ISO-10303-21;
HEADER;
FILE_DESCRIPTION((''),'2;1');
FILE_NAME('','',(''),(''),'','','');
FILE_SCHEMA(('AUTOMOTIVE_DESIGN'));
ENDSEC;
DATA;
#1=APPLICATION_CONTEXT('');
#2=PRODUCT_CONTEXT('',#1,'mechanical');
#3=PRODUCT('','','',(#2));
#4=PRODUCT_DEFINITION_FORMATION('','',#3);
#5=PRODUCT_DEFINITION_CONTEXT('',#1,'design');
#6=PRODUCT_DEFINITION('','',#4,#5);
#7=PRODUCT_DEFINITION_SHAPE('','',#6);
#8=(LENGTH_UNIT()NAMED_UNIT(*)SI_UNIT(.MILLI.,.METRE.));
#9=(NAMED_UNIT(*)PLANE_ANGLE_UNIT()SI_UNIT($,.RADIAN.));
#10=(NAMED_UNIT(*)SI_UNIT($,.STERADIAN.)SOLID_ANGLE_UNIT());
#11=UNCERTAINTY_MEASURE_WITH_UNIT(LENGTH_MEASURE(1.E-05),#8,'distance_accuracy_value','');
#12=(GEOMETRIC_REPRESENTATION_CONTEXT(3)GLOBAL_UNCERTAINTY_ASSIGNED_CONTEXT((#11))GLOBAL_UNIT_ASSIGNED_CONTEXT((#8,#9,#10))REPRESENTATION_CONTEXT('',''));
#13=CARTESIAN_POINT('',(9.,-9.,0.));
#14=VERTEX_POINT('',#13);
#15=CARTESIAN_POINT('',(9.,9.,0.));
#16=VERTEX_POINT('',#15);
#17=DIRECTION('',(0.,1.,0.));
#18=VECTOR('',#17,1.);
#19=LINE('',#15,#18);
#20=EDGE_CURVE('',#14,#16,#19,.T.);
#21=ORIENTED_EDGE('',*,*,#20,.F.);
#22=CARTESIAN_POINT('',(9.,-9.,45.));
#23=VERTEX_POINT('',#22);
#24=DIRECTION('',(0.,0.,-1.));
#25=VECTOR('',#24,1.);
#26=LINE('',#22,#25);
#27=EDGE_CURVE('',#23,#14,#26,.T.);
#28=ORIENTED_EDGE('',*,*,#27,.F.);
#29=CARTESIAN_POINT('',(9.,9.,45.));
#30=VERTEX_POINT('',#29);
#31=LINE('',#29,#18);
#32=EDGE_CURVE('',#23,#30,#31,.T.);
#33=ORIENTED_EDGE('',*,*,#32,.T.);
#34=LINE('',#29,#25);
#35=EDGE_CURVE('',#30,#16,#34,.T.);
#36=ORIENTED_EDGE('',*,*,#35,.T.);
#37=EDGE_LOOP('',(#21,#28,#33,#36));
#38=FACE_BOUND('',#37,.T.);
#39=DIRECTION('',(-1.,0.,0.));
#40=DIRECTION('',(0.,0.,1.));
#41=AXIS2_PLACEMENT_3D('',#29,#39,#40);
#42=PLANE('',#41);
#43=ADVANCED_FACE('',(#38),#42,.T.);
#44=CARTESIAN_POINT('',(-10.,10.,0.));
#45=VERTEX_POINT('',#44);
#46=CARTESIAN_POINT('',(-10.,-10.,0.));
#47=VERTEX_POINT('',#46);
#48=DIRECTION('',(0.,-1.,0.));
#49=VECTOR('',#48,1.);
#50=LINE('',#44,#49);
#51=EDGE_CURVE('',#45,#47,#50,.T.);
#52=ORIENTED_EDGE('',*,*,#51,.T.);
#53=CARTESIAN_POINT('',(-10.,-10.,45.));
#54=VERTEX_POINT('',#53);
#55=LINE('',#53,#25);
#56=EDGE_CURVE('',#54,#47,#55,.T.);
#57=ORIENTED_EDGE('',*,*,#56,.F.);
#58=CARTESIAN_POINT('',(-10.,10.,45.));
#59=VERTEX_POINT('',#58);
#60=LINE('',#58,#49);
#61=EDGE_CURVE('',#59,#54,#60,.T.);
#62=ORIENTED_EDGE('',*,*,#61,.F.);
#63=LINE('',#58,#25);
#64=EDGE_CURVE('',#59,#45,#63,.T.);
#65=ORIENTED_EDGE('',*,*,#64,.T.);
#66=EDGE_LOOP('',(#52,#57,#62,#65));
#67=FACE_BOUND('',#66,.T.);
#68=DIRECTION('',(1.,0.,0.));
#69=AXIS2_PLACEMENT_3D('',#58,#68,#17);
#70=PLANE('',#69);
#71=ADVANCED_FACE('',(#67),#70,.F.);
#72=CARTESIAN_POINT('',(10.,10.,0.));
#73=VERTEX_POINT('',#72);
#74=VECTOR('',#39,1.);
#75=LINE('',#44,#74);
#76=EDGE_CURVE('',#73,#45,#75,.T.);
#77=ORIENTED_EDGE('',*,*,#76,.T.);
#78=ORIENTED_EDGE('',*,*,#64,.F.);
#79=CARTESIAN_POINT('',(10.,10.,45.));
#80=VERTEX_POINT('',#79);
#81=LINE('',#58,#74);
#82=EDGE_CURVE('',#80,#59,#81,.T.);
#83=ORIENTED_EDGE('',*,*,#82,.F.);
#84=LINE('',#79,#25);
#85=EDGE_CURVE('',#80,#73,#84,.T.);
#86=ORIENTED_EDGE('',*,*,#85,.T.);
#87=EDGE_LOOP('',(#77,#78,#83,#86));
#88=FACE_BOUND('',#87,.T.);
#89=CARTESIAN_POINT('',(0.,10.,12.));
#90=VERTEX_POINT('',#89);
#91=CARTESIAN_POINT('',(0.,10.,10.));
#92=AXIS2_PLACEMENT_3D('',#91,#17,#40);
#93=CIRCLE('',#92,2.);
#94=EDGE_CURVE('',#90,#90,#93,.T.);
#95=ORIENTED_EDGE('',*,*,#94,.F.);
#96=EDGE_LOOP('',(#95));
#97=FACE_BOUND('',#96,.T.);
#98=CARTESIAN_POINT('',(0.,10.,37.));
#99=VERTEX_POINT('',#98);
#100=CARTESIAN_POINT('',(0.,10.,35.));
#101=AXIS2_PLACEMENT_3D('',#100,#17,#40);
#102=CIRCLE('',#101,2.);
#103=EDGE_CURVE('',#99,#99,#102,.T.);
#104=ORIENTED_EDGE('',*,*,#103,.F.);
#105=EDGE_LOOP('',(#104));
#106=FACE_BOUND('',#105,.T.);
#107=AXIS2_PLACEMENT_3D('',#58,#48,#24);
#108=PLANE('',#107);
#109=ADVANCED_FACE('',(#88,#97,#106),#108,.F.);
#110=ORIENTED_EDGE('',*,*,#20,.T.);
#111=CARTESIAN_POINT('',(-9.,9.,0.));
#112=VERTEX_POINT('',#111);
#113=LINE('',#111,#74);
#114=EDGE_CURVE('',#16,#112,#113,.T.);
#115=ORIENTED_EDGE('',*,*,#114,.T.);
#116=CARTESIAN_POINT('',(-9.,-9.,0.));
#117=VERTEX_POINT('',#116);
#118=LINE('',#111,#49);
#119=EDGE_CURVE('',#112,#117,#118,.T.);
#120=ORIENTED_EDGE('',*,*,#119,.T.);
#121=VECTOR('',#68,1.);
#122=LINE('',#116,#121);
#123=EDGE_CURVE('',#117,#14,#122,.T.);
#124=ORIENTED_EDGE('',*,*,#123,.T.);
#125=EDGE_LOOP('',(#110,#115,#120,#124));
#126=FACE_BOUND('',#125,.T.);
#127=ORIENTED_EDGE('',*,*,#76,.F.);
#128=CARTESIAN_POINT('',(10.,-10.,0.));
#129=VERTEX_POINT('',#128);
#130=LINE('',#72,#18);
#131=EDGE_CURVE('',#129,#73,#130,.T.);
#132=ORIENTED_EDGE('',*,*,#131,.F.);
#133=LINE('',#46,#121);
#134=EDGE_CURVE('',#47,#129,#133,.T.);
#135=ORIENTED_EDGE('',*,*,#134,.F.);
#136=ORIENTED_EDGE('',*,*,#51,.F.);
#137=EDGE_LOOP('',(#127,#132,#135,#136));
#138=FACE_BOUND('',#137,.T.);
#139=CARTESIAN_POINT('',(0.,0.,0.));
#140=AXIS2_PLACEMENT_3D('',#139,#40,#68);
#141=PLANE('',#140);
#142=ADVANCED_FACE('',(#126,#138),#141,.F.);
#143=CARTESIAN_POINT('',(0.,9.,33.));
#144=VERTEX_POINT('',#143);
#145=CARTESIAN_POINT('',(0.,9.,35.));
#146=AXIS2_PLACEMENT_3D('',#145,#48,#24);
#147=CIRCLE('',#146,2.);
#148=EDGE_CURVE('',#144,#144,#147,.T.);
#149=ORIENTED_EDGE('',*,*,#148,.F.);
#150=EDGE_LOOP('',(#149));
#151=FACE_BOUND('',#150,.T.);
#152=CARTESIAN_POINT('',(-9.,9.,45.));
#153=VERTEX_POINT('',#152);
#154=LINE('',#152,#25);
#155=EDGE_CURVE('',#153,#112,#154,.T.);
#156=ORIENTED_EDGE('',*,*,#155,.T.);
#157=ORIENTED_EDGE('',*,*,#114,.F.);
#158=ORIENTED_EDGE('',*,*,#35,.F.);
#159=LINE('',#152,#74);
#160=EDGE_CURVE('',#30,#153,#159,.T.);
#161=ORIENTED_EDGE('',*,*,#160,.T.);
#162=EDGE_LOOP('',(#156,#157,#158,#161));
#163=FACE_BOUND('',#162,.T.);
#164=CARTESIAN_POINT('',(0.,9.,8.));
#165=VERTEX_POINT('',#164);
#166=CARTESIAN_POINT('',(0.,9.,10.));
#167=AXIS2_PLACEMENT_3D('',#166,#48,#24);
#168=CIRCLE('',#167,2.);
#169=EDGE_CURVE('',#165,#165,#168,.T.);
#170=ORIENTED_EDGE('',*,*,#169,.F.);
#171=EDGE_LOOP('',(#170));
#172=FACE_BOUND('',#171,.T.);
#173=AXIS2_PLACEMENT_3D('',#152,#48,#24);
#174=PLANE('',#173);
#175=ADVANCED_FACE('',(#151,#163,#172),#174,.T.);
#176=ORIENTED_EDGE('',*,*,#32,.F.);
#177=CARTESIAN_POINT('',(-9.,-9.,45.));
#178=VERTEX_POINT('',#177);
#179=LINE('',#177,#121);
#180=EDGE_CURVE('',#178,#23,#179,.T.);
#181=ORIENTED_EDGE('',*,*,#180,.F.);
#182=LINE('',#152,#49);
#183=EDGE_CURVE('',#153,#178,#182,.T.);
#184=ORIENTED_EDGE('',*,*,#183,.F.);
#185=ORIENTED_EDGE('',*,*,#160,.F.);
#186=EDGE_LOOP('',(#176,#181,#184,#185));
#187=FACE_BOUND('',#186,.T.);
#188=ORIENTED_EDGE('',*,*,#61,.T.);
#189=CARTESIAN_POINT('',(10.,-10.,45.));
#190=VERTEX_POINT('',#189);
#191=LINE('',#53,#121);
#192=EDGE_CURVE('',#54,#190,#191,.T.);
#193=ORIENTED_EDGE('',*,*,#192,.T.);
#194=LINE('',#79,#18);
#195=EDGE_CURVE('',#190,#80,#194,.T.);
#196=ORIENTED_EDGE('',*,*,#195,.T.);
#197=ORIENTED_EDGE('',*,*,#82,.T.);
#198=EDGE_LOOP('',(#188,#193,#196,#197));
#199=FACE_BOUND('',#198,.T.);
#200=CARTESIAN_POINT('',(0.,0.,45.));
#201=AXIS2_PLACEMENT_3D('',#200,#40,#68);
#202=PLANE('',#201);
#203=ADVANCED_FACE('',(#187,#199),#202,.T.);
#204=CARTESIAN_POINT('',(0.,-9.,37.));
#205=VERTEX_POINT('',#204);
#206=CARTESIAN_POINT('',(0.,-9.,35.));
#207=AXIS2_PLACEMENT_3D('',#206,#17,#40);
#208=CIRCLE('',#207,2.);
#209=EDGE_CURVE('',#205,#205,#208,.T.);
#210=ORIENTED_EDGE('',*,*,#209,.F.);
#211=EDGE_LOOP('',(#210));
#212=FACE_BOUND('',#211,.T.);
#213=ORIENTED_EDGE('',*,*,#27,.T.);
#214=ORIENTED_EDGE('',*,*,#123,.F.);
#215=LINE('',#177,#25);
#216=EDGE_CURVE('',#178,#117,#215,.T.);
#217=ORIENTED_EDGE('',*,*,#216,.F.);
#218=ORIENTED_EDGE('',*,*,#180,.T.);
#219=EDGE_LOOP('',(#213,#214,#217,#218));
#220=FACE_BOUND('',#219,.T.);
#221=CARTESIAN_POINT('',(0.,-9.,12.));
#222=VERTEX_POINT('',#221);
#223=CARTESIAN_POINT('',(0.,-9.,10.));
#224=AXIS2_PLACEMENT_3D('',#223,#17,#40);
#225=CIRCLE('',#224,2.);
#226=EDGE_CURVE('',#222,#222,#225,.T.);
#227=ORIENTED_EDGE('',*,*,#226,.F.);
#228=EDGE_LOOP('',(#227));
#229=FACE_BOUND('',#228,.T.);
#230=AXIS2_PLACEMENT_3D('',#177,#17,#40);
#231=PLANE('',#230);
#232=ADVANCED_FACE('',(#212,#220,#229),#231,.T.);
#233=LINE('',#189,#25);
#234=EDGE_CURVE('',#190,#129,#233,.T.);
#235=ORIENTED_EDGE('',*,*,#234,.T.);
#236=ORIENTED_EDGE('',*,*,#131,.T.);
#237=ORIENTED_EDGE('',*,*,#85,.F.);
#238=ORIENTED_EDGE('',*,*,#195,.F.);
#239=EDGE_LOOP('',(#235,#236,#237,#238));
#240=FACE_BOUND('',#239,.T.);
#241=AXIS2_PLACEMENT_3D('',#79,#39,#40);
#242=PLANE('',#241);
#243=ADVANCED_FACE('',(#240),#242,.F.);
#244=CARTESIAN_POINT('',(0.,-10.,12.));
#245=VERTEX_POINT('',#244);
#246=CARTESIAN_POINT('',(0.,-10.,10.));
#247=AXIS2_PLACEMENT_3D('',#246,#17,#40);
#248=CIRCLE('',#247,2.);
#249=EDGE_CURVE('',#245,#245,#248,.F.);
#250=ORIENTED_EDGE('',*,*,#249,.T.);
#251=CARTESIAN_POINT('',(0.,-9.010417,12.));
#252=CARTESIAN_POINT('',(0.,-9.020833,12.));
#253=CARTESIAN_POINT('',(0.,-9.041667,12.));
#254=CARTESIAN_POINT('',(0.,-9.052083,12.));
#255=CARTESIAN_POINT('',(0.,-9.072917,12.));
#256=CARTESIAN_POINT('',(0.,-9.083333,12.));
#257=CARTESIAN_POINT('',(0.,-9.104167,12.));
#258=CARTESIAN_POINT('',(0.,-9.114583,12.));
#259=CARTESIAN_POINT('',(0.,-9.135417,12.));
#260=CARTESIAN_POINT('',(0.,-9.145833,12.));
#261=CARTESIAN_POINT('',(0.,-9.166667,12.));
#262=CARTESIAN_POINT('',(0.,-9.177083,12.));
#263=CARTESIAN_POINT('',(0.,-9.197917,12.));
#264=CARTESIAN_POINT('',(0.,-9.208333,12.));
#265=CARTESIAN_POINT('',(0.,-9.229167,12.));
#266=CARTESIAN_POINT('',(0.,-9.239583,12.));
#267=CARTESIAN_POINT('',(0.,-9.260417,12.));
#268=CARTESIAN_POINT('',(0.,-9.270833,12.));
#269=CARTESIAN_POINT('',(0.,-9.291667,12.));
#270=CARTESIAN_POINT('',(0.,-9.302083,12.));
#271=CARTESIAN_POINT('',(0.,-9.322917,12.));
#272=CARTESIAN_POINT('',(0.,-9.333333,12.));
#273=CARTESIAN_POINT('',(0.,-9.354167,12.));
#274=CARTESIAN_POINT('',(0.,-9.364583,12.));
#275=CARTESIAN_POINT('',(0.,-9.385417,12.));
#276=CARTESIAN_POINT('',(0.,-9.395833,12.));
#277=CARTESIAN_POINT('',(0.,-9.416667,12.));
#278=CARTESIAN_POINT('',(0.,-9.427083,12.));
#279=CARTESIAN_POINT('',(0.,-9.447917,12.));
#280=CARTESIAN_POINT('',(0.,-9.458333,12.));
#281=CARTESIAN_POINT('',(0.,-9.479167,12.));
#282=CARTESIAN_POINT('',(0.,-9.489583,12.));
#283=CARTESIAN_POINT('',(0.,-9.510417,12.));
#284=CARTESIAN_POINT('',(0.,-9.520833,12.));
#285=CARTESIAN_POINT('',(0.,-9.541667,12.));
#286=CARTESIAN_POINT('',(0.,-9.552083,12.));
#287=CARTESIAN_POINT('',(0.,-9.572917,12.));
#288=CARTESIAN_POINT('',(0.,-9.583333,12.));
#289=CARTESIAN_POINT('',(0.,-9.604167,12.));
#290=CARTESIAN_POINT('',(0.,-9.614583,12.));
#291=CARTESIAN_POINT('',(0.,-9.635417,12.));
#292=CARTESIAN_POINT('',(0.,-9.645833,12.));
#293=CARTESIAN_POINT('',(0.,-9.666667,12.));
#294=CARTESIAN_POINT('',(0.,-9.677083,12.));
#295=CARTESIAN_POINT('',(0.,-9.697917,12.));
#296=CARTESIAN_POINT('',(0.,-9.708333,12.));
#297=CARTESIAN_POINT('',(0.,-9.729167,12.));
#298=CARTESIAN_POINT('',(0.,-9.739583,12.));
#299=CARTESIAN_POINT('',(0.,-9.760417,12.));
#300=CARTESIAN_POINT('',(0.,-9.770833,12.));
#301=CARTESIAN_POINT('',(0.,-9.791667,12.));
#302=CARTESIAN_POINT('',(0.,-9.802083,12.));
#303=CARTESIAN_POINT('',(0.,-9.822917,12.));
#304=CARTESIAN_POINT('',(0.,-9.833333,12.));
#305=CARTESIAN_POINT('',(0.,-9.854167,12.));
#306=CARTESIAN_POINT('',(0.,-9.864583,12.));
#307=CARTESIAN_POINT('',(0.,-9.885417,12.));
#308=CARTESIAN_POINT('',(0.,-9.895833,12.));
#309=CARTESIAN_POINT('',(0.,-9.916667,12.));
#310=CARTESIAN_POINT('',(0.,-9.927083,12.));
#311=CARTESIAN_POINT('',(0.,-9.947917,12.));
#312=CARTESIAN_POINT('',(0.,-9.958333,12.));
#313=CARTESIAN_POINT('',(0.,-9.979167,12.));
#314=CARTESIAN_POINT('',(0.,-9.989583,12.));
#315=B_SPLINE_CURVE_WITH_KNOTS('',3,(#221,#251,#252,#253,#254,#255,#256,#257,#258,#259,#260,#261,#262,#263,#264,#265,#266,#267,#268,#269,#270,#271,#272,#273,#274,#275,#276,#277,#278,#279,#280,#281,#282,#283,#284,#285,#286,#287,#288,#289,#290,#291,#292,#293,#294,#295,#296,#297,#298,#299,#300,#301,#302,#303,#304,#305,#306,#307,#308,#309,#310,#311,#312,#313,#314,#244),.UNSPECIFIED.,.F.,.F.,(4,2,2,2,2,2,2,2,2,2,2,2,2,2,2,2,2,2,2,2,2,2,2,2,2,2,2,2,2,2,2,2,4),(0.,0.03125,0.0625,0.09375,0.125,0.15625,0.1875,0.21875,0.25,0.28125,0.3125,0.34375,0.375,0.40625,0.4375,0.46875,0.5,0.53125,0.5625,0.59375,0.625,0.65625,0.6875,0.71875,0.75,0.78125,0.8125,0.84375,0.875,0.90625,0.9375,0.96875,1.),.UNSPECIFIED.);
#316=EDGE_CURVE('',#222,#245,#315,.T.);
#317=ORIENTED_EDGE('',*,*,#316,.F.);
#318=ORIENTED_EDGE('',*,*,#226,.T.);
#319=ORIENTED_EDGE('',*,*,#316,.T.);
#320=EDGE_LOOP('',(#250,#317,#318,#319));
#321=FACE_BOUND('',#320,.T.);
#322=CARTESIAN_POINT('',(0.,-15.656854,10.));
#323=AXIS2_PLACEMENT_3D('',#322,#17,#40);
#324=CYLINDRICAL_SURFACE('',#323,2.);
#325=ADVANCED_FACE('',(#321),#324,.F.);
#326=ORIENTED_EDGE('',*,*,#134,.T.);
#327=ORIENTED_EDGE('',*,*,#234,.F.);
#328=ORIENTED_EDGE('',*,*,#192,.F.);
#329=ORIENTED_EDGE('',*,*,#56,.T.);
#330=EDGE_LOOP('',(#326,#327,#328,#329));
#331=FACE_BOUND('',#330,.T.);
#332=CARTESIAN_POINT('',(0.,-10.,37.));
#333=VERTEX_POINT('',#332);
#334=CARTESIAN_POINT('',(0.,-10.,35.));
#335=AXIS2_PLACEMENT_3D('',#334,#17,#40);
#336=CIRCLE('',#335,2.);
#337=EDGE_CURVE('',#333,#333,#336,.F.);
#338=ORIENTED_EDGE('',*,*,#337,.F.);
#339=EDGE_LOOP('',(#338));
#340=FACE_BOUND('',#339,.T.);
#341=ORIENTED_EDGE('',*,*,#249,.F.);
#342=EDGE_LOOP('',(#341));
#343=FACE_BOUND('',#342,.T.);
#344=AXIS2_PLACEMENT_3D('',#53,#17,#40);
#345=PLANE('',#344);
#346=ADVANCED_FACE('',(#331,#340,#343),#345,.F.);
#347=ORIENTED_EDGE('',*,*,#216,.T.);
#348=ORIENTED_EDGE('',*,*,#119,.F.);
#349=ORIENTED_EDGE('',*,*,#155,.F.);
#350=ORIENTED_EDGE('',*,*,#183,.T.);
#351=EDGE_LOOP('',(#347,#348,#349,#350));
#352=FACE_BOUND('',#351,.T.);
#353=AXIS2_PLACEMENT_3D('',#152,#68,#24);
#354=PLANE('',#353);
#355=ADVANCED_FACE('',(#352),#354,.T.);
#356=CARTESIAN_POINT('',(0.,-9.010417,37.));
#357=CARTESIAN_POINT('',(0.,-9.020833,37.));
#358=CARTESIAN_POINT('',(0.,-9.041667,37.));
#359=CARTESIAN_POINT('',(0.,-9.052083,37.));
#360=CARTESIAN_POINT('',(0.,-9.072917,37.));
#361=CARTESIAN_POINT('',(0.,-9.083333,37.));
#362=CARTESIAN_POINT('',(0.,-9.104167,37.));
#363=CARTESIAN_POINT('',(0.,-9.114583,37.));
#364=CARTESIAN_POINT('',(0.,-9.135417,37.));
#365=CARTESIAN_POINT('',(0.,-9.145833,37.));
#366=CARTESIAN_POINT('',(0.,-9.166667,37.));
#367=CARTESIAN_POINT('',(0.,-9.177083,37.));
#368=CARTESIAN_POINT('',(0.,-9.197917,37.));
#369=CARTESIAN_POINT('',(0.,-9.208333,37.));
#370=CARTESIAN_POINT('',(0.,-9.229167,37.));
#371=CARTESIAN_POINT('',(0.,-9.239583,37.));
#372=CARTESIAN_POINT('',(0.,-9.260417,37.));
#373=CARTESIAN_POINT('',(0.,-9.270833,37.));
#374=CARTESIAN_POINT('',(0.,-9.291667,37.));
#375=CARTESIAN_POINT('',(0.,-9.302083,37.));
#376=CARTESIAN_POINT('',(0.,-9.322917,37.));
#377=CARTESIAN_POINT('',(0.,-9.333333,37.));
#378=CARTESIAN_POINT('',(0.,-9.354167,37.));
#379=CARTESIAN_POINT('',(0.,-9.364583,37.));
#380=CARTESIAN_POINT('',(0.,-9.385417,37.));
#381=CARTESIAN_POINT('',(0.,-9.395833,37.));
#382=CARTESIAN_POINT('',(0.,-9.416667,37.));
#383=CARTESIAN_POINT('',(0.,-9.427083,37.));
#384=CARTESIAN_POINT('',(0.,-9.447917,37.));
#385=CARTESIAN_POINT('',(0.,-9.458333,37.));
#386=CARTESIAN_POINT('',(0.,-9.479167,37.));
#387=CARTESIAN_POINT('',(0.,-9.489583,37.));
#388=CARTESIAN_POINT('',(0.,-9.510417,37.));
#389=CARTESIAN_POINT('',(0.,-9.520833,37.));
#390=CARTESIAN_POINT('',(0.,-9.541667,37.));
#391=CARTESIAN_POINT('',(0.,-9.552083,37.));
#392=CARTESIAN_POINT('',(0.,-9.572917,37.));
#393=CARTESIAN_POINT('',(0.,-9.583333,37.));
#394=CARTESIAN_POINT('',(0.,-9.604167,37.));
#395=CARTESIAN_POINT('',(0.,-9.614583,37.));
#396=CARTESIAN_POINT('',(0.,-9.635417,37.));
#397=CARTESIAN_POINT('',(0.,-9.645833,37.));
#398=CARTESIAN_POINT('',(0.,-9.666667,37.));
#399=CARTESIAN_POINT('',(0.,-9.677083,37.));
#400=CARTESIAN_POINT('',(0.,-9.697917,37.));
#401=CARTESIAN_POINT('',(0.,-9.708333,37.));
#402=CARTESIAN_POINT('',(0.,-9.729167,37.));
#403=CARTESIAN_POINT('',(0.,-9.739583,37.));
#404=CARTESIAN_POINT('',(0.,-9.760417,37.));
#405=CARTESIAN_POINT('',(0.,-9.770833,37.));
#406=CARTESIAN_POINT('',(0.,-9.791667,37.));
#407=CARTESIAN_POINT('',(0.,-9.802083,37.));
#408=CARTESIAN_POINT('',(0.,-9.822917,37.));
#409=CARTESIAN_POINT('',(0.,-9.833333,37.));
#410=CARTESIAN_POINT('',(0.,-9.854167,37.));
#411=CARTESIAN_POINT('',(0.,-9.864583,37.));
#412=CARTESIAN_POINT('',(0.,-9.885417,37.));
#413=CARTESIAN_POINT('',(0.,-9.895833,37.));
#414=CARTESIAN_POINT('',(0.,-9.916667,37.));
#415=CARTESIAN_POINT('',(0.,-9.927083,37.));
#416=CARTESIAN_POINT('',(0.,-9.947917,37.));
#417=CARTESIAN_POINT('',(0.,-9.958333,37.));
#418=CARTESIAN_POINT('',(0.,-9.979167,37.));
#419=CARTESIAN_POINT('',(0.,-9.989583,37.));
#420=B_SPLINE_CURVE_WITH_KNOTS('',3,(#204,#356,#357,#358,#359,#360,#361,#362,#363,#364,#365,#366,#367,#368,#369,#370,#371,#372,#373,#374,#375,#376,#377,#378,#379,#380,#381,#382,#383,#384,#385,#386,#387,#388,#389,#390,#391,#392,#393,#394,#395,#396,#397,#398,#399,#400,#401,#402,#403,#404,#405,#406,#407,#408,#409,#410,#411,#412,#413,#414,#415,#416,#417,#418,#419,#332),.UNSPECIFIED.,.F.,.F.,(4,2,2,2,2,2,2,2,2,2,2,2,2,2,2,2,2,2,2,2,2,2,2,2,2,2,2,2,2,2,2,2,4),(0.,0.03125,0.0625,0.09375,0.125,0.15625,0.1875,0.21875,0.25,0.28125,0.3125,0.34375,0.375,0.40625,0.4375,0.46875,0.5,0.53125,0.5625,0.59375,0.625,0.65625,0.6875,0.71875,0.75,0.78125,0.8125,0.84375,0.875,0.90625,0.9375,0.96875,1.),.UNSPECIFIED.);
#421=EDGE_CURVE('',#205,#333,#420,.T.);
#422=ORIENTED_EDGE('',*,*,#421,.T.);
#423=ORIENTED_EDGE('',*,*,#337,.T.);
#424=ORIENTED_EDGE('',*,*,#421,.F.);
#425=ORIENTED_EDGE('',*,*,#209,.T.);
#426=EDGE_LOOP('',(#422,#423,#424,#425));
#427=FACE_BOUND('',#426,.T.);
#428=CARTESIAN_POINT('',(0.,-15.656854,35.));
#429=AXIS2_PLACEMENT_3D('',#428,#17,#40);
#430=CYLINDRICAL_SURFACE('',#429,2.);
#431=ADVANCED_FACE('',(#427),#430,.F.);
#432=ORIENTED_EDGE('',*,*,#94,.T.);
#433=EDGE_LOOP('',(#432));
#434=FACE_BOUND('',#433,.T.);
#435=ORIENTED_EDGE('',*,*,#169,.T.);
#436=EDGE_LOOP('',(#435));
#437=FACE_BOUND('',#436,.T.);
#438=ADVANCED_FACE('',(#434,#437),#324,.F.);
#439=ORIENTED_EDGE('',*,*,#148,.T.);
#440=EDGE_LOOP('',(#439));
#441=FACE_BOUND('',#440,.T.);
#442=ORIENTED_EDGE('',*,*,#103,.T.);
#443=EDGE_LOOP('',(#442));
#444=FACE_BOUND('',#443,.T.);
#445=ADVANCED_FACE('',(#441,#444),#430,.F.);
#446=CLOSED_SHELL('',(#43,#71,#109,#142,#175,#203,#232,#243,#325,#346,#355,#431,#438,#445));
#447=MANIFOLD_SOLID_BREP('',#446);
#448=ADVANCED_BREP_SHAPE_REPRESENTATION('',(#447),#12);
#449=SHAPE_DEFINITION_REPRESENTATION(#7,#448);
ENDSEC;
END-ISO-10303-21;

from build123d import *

# Parameters (mm, degrees)
SKETCH_1_W          = 20
SKETCH_1_H          = 20
SKETCH_1_W_2        = 18
SKETCH_1_H_2        = 18
EXTRUDE_1_DEPTH     = 45
CUT_EXTRUDE_1_REACH = 52.249
SKETCH_2_R          = 2


with BuildPart() as part:
    # 草图1 → 凸台-拉伸1 (new body)
    with BuildSketch(Plane.XY):
        Rectangle(SKETCH_1_W, SKETCH_1_H)
        Rectangle(SKETCH_1_W_2, SKETCH_1_H_2, mode=Mode.SUBTRACT)
    extrude(amount=EXTRUDE_1_DEPTH)

    # 切除-拉伸1: up to this face of the body (flat: up to its plane)
    cut_extrude_1_end = Plane(part.part.faces().sort_by_distance((0, -10, 22.5))[0])
    # 草图2 → 切除-拉伸1 (cut, up to the picked face)
    with BuildSketch(Plane(origin=(0, 10, 0), x_dir=(1, 0, 0), z_dir=(0, 1, 0)), mode=Mode.PRIVATE) as cut_extrude_1_sk1:
        with Locations(Location((0, -10, 0), (0, 0, 270))):
            Circle(SKETCH_2_R)
    cut_extrude_1_tool1 = split(extrude(cut_extrude_1_sk1.sketch, amount=-CUT_EXTRUDE_1_REACH, mode=Mode.PRIVATE), bisect_by=cut_extrude_1_end, keep=Keep.BOTH, mode=Mode.PRIVATE)
    # 草图2 → 切除-拉伸1 (cut, up to the picked face)
    with BuildSketch(Plane(origin=(0, 10, 0), x_dir=(1, 0, 0), z_dir=(0, 1, 0)), mode=Mode.PRIVATE) as cut_extrude_1_sk2:
        with Locations(Location((0, -35, 0), (0, 0, 270))):
            Circle(SKETCH_2_R)
    cut_extrude_1_tool2 = split(extrude(cut_extrude_1_sk2.sketch, amount=-CUT_EXTRUDE_1_REACH, mode=Mode.PRIVATE), bisect_by=cut_extrude_1_end, keep=Keep.BOTH, mode=Mode.PRIVATE)
    add(cut_extrude_1_tool1.solids().sort_by(Axis((0, 10, 10), (0, -1, 0)))[0], mode=Mode.SUBTRACT)
    add(cut_extrude_1_tool2.solids().sort_by(Axis((0, 10, 35), (0, -1, 0)))[0], mode=Mode.SUBTRACT)


solid = part.part
